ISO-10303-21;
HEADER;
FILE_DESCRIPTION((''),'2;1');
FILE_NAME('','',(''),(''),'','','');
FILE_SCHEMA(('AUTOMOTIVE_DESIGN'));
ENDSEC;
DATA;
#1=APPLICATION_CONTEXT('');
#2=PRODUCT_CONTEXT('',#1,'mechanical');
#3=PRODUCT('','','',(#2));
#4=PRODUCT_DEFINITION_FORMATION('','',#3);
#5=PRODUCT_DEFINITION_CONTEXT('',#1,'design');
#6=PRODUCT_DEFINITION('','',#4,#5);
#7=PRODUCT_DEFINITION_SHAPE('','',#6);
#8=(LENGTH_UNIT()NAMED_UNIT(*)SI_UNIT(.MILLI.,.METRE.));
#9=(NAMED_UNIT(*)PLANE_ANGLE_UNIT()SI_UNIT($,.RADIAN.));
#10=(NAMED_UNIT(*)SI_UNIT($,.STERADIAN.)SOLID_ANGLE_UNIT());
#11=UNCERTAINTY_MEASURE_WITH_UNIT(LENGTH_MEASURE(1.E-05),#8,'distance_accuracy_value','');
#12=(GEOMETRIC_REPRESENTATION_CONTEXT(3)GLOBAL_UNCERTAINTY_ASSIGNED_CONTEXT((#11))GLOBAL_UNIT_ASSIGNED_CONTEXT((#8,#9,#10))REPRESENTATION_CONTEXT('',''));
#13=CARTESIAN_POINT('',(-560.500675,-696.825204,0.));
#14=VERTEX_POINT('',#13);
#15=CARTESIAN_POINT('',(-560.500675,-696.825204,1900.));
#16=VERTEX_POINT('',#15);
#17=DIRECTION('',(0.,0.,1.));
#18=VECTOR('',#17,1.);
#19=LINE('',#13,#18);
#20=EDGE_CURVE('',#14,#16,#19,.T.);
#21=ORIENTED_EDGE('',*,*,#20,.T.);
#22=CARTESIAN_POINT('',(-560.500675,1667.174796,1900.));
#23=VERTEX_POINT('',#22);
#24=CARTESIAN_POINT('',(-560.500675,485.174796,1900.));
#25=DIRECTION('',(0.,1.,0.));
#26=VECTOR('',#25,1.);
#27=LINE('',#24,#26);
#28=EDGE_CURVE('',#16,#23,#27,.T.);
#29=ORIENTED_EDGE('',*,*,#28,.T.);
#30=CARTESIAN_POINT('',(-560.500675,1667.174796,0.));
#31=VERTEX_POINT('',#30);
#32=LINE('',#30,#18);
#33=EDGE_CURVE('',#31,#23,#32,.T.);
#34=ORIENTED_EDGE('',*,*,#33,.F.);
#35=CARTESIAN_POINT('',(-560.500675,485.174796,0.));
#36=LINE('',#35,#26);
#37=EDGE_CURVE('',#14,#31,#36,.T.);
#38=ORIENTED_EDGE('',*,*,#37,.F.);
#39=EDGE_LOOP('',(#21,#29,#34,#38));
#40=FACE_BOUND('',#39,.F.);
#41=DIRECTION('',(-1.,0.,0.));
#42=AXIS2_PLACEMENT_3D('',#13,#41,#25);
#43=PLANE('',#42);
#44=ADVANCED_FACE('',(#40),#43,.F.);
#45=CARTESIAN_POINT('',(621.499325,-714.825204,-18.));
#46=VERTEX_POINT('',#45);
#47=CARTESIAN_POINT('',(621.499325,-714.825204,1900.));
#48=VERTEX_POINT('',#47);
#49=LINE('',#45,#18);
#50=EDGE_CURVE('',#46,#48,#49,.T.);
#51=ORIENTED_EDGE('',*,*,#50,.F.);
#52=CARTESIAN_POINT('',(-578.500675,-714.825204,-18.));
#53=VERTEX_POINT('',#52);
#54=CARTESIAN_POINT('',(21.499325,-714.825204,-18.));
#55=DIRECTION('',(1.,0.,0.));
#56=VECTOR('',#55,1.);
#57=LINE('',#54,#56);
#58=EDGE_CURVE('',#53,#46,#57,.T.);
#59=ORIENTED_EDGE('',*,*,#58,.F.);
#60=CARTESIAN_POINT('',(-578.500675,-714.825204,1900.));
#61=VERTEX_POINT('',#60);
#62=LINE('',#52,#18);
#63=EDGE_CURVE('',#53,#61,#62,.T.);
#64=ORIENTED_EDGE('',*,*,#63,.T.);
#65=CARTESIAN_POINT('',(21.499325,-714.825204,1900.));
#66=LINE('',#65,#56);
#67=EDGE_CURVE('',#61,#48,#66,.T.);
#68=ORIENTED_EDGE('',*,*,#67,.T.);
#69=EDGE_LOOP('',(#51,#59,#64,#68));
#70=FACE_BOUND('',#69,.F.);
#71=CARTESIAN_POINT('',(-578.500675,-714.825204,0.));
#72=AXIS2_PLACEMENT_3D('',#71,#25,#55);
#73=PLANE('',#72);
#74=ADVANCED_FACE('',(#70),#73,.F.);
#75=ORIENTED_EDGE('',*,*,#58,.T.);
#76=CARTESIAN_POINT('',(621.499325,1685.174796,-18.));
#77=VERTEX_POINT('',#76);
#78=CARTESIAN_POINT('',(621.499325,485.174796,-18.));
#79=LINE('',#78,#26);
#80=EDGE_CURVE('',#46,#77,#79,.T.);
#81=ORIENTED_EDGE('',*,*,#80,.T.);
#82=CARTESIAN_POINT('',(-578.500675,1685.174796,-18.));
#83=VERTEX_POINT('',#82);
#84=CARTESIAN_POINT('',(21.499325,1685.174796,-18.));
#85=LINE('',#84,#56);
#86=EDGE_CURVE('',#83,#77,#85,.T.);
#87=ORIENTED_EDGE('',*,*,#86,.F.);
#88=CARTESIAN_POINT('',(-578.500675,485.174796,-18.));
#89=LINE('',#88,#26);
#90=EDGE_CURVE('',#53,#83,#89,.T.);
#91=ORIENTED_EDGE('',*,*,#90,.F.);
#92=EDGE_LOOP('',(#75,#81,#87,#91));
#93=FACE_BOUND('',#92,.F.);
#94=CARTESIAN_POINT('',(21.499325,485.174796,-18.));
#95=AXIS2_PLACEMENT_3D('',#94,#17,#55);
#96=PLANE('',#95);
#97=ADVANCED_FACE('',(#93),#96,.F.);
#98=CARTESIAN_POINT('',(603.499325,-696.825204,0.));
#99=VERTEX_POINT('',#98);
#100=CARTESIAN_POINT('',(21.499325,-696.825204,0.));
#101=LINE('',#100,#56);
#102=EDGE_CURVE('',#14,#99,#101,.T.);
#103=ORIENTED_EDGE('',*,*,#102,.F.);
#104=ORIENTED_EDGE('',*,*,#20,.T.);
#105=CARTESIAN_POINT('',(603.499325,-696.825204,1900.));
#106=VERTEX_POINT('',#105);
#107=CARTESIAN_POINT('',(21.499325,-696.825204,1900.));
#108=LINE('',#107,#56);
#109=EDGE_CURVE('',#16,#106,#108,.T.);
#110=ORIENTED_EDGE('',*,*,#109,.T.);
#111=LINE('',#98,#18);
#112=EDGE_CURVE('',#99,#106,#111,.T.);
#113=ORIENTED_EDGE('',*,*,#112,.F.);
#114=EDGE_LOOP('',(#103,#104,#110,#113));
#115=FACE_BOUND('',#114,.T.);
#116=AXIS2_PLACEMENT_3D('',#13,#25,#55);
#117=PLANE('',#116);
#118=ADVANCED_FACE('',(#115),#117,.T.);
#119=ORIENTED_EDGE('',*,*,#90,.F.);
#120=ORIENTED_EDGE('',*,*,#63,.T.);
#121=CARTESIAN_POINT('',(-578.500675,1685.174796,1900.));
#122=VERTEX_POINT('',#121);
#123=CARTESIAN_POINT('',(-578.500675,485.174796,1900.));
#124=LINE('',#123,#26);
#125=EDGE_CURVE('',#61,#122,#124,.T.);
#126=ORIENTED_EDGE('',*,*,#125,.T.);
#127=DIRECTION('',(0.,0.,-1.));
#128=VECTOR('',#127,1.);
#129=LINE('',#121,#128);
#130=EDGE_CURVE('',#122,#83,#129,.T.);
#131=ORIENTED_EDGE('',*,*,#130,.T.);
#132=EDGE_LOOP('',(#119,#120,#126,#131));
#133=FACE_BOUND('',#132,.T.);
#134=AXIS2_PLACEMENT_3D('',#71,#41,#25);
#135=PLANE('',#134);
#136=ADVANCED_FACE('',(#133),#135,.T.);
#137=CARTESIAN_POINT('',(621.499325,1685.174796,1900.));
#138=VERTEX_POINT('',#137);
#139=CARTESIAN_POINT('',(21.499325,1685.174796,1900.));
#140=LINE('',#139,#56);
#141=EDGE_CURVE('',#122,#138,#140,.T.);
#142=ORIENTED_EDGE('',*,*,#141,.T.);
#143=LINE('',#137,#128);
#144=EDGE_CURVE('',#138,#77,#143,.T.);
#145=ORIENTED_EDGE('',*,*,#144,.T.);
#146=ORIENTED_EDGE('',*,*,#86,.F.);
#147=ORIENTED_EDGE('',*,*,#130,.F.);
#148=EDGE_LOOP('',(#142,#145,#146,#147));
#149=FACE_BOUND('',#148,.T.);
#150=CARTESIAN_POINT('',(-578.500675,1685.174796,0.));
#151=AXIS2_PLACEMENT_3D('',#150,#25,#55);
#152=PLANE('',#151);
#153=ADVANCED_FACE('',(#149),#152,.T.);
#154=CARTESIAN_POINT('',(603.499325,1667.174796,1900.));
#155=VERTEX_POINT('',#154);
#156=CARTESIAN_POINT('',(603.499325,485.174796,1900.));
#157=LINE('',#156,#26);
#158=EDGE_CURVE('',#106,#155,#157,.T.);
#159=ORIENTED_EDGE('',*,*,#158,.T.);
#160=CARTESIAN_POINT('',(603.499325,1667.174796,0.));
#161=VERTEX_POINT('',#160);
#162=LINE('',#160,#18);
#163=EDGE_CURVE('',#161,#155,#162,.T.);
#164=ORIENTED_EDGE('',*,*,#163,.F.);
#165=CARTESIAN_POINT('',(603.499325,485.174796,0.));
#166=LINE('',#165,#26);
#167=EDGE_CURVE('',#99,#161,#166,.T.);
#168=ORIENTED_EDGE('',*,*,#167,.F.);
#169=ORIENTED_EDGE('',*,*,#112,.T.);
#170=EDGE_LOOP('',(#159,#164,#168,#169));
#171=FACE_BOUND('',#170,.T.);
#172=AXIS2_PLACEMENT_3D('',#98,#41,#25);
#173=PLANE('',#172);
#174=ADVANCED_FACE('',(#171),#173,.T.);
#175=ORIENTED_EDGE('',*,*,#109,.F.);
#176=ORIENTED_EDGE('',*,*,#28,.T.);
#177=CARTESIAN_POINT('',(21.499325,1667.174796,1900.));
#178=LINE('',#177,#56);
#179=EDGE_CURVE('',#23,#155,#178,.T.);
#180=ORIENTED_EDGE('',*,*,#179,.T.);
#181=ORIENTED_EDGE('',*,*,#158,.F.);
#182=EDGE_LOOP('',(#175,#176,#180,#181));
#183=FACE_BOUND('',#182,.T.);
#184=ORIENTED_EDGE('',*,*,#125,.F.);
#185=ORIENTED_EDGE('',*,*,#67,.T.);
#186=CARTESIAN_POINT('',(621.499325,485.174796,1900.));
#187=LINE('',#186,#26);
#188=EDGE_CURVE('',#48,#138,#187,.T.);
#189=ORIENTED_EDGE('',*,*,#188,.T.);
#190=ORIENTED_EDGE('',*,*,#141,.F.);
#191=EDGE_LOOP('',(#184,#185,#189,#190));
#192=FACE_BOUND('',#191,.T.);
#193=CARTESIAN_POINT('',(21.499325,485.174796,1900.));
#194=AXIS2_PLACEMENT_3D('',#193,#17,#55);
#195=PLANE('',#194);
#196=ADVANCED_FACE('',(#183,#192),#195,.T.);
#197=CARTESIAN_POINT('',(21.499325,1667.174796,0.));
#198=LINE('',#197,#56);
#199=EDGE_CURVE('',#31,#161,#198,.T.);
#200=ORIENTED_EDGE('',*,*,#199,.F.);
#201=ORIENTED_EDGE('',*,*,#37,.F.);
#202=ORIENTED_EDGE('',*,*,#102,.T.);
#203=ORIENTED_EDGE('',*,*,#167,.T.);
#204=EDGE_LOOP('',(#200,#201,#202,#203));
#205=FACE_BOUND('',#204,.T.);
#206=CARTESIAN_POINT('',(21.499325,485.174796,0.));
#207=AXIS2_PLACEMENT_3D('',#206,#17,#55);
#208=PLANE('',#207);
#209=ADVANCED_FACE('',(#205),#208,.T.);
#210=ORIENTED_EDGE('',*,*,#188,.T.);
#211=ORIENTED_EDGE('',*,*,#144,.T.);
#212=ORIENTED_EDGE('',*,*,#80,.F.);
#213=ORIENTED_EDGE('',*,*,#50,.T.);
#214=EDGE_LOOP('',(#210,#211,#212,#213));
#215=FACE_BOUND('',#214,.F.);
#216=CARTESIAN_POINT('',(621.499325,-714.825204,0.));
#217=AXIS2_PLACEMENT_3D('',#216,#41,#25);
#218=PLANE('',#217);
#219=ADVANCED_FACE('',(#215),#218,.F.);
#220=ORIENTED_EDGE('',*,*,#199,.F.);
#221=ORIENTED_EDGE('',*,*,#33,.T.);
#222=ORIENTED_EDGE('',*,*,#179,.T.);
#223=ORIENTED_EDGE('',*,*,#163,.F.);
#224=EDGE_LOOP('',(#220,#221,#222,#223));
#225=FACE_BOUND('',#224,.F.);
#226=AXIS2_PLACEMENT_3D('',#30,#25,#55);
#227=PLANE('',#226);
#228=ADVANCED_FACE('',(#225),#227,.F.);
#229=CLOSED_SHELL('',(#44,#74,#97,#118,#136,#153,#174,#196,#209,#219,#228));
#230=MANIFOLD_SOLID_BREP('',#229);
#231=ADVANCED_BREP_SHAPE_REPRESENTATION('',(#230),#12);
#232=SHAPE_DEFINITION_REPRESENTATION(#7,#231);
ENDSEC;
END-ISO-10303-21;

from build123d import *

# Parameters (mm, degrees)
F0_W     = 1200
F0_H     = 2400
F0_W_2   = 1164
F0_H_2   = 2364
F1_DEPTH = 18
F2_DEPTH = 1900


with BuildPart() as f1:
    # F0 (on Top) → F1 (new body)
    with BuildSketch(Plane.XY):
        with Locations((21.49932459, 485.1747957596)):
            Rectangle(F0_W, F0_H)
        with Locations((21.49932459, 485.1747957596)):
            Rectangle(F0_W_2, F0_H_2, mode=Mode.SUBTRACT)
        with Locations((21.49932459, 485.1747957596)):
            Rectangle(F0_W_2, F0_H_2)
    extrude(amount=-F1_DEPTH)

    # F0 (on Top) → F2 (join)
    with BuildSketch(Plane.XY):
        with Locations((21.49932459, 485.1747957596)):
            Rectangle(F0_W, F0_H)
        with Locations((21.49932459, 485.1747957596)):
            Rectangle(F0_W_2, F0_H_2, mode=Mode.SUBTRACT)
    extrude(amount=F2_DEPTH)


solid = f1.part
